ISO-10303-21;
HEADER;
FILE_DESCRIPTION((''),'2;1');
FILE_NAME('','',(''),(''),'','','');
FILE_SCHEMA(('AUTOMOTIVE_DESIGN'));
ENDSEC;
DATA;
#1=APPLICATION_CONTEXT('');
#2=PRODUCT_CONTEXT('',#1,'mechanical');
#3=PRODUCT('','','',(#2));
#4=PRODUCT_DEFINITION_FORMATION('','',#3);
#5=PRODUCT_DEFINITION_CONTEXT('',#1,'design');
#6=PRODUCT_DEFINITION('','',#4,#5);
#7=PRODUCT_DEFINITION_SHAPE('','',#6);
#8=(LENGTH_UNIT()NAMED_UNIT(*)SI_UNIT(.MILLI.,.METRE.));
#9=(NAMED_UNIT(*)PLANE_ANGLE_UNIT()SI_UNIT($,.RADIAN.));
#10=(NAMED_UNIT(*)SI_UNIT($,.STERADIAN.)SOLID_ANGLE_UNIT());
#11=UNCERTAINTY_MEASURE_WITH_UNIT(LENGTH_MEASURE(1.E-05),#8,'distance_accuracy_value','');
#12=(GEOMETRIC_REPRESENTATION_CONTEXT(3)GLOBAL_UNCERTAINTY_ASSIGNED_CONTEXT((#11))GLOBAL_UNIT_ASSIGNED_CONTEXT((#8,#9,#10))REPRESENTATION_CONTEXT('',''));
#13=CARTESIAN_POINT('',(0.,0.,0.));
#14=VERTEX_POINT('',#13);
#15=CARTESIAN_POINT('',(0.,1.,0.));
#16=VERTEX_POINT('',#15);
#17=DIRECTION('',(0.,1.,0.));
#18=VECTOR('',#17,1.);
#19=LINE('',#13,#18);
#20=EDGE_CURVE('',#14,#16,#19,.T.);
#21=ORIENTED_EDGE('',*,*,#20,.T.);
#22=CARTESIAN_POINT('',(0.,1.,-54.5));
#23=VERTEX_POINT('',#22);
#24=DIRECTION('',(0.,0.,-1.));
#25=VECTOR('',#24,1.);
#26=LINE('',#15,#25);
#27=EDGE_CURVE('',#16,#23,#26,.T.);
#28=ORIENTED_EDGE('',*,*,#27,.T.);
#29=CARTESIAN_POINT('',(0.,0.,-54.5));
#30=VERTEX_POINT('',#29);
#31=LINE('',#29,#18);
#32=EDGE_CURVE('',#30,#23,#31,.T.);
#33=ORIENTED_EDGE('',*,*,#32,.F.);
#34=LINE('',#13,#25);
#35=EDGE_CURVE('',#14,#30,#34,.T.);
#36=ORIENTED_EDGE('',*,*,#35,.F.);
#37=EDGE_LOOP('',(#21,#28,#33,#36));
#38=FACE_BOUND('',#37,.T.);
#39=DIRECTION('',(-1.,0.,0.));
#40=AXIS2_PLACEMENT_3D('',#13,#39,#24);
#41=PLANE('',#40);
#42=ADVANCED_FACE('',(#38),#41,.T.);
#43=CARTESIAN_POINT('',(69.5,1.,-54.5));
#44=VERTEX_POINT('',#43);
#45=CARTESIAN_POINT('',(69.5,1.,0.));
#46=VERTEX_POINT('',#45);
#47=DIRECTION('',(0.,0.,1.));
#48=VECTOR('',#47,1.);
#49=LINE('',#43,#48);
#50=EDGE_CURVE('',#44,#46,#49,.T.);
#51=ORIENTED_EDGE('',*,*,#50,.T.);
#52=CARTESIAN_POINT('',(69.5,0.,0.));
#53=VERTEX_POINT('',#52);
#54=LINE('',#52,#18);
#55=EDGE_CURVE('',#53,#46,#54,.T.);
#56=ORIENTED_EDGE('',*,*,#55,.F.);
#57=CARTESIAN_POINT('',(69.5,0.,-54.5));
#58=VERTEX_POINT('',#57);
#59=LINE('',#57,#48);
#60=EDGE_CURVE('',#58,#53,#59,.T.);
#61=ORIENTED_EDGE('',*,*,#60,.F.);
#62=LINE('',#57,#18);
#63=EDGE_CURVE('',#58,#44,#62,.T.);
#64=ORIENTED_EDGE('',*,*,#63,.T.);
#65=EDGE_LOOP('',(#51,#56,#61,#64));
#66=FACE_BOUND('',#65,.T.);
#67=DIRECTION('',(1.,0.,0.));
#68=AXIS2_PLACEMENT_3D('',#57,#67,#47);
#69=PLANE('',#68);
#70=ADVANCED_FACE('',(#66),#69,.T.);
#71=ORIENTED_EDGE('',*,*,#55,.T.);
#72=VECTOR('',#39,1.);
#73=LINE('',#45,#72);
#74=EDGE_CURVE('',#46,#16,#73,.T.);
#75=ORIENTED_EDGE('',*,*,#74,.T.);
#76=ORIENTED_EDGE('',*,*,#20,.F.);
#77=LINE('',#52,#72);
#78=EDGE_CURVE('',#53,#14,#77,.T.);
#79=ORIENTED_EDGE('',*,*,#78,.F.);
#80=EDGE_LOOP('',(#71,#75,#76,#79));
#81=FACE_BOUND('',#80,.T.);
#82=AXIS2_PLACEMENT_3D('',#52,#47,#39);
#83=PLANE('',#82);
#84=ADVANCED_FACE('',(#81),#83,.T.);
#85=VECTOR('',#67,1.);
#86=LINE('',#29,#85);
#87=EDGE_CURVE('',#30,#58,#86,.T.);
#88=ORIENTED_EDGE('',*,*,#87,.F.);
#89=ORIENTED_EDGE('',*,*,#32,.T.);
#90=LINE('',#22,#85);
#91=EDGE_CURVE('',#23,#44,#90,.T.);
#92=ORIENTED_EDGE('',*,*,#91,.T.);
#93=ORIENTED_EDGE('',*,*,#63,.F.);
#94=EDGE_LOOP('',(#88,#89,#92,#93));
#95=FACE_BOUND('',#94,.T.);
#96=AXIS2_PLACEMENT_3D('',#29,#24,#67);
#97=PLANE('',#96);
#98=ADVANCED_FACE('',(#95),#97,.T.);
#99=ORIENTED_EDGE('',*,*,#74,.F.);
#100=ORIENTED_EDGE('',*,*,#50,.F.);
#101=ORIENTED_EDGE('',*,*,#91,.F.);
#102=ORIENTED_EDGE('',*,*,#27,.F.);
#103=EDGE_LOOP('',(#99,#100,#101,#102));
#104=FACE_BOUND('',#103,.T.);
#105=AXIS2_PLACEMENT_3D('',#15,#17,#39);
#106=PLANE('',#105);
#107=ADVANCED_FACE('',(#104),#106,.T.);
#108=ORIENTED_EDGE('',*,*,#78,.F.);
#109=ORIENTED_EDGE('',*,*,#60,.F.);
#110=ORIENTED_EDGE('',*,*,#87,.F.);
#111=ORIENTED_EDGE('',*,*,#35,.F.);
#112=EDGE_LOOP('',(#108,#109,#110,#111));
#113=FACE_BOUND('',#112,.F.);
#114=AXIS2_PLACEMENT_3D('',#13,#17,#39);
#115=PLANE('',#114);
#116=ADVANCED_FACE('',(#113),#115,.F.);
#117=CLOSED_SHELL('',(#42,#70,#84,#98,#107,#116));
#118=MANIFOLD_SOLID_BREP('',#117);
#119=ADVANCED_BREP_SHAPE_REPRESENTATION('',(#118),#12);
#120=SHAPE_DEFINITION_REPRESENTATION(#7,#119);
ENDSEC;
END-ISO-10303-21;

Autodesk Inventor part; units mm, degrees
ref_plane "YZ Plane" through (0, 0, 0) normal (1, 0, 0) x (0, 1, 0)
ref_plane "XZ Plane" through (0, 0, 0) normal (0, 1, 0) x (-1, 0, 0)
ref_plane "XY Plane" through (0, 0, 0) normal (0, 0, 1) x (1, 0, 0)
sketch "Sketch1" plane through (0, 0, 0) normal (0, 1, 0) x (-1, 0, 0)
  line L0 (0, 0) -> (0, -54.5)
  line L1 (0, -54.5) -> (-69.5, -54.5)
  line L2 (-69.5, -54.5) -> (-69.5, 0)
  line L3 (-69.5, 0) -> (0, 0)
  dimension "d0" = 54.5
  dimension "d1" = 69.5
  dimension "d2" = 54.5
extrude "Extrusion1" add sketch "Sketch1" along normal blind 1
properties part number "toppur"
